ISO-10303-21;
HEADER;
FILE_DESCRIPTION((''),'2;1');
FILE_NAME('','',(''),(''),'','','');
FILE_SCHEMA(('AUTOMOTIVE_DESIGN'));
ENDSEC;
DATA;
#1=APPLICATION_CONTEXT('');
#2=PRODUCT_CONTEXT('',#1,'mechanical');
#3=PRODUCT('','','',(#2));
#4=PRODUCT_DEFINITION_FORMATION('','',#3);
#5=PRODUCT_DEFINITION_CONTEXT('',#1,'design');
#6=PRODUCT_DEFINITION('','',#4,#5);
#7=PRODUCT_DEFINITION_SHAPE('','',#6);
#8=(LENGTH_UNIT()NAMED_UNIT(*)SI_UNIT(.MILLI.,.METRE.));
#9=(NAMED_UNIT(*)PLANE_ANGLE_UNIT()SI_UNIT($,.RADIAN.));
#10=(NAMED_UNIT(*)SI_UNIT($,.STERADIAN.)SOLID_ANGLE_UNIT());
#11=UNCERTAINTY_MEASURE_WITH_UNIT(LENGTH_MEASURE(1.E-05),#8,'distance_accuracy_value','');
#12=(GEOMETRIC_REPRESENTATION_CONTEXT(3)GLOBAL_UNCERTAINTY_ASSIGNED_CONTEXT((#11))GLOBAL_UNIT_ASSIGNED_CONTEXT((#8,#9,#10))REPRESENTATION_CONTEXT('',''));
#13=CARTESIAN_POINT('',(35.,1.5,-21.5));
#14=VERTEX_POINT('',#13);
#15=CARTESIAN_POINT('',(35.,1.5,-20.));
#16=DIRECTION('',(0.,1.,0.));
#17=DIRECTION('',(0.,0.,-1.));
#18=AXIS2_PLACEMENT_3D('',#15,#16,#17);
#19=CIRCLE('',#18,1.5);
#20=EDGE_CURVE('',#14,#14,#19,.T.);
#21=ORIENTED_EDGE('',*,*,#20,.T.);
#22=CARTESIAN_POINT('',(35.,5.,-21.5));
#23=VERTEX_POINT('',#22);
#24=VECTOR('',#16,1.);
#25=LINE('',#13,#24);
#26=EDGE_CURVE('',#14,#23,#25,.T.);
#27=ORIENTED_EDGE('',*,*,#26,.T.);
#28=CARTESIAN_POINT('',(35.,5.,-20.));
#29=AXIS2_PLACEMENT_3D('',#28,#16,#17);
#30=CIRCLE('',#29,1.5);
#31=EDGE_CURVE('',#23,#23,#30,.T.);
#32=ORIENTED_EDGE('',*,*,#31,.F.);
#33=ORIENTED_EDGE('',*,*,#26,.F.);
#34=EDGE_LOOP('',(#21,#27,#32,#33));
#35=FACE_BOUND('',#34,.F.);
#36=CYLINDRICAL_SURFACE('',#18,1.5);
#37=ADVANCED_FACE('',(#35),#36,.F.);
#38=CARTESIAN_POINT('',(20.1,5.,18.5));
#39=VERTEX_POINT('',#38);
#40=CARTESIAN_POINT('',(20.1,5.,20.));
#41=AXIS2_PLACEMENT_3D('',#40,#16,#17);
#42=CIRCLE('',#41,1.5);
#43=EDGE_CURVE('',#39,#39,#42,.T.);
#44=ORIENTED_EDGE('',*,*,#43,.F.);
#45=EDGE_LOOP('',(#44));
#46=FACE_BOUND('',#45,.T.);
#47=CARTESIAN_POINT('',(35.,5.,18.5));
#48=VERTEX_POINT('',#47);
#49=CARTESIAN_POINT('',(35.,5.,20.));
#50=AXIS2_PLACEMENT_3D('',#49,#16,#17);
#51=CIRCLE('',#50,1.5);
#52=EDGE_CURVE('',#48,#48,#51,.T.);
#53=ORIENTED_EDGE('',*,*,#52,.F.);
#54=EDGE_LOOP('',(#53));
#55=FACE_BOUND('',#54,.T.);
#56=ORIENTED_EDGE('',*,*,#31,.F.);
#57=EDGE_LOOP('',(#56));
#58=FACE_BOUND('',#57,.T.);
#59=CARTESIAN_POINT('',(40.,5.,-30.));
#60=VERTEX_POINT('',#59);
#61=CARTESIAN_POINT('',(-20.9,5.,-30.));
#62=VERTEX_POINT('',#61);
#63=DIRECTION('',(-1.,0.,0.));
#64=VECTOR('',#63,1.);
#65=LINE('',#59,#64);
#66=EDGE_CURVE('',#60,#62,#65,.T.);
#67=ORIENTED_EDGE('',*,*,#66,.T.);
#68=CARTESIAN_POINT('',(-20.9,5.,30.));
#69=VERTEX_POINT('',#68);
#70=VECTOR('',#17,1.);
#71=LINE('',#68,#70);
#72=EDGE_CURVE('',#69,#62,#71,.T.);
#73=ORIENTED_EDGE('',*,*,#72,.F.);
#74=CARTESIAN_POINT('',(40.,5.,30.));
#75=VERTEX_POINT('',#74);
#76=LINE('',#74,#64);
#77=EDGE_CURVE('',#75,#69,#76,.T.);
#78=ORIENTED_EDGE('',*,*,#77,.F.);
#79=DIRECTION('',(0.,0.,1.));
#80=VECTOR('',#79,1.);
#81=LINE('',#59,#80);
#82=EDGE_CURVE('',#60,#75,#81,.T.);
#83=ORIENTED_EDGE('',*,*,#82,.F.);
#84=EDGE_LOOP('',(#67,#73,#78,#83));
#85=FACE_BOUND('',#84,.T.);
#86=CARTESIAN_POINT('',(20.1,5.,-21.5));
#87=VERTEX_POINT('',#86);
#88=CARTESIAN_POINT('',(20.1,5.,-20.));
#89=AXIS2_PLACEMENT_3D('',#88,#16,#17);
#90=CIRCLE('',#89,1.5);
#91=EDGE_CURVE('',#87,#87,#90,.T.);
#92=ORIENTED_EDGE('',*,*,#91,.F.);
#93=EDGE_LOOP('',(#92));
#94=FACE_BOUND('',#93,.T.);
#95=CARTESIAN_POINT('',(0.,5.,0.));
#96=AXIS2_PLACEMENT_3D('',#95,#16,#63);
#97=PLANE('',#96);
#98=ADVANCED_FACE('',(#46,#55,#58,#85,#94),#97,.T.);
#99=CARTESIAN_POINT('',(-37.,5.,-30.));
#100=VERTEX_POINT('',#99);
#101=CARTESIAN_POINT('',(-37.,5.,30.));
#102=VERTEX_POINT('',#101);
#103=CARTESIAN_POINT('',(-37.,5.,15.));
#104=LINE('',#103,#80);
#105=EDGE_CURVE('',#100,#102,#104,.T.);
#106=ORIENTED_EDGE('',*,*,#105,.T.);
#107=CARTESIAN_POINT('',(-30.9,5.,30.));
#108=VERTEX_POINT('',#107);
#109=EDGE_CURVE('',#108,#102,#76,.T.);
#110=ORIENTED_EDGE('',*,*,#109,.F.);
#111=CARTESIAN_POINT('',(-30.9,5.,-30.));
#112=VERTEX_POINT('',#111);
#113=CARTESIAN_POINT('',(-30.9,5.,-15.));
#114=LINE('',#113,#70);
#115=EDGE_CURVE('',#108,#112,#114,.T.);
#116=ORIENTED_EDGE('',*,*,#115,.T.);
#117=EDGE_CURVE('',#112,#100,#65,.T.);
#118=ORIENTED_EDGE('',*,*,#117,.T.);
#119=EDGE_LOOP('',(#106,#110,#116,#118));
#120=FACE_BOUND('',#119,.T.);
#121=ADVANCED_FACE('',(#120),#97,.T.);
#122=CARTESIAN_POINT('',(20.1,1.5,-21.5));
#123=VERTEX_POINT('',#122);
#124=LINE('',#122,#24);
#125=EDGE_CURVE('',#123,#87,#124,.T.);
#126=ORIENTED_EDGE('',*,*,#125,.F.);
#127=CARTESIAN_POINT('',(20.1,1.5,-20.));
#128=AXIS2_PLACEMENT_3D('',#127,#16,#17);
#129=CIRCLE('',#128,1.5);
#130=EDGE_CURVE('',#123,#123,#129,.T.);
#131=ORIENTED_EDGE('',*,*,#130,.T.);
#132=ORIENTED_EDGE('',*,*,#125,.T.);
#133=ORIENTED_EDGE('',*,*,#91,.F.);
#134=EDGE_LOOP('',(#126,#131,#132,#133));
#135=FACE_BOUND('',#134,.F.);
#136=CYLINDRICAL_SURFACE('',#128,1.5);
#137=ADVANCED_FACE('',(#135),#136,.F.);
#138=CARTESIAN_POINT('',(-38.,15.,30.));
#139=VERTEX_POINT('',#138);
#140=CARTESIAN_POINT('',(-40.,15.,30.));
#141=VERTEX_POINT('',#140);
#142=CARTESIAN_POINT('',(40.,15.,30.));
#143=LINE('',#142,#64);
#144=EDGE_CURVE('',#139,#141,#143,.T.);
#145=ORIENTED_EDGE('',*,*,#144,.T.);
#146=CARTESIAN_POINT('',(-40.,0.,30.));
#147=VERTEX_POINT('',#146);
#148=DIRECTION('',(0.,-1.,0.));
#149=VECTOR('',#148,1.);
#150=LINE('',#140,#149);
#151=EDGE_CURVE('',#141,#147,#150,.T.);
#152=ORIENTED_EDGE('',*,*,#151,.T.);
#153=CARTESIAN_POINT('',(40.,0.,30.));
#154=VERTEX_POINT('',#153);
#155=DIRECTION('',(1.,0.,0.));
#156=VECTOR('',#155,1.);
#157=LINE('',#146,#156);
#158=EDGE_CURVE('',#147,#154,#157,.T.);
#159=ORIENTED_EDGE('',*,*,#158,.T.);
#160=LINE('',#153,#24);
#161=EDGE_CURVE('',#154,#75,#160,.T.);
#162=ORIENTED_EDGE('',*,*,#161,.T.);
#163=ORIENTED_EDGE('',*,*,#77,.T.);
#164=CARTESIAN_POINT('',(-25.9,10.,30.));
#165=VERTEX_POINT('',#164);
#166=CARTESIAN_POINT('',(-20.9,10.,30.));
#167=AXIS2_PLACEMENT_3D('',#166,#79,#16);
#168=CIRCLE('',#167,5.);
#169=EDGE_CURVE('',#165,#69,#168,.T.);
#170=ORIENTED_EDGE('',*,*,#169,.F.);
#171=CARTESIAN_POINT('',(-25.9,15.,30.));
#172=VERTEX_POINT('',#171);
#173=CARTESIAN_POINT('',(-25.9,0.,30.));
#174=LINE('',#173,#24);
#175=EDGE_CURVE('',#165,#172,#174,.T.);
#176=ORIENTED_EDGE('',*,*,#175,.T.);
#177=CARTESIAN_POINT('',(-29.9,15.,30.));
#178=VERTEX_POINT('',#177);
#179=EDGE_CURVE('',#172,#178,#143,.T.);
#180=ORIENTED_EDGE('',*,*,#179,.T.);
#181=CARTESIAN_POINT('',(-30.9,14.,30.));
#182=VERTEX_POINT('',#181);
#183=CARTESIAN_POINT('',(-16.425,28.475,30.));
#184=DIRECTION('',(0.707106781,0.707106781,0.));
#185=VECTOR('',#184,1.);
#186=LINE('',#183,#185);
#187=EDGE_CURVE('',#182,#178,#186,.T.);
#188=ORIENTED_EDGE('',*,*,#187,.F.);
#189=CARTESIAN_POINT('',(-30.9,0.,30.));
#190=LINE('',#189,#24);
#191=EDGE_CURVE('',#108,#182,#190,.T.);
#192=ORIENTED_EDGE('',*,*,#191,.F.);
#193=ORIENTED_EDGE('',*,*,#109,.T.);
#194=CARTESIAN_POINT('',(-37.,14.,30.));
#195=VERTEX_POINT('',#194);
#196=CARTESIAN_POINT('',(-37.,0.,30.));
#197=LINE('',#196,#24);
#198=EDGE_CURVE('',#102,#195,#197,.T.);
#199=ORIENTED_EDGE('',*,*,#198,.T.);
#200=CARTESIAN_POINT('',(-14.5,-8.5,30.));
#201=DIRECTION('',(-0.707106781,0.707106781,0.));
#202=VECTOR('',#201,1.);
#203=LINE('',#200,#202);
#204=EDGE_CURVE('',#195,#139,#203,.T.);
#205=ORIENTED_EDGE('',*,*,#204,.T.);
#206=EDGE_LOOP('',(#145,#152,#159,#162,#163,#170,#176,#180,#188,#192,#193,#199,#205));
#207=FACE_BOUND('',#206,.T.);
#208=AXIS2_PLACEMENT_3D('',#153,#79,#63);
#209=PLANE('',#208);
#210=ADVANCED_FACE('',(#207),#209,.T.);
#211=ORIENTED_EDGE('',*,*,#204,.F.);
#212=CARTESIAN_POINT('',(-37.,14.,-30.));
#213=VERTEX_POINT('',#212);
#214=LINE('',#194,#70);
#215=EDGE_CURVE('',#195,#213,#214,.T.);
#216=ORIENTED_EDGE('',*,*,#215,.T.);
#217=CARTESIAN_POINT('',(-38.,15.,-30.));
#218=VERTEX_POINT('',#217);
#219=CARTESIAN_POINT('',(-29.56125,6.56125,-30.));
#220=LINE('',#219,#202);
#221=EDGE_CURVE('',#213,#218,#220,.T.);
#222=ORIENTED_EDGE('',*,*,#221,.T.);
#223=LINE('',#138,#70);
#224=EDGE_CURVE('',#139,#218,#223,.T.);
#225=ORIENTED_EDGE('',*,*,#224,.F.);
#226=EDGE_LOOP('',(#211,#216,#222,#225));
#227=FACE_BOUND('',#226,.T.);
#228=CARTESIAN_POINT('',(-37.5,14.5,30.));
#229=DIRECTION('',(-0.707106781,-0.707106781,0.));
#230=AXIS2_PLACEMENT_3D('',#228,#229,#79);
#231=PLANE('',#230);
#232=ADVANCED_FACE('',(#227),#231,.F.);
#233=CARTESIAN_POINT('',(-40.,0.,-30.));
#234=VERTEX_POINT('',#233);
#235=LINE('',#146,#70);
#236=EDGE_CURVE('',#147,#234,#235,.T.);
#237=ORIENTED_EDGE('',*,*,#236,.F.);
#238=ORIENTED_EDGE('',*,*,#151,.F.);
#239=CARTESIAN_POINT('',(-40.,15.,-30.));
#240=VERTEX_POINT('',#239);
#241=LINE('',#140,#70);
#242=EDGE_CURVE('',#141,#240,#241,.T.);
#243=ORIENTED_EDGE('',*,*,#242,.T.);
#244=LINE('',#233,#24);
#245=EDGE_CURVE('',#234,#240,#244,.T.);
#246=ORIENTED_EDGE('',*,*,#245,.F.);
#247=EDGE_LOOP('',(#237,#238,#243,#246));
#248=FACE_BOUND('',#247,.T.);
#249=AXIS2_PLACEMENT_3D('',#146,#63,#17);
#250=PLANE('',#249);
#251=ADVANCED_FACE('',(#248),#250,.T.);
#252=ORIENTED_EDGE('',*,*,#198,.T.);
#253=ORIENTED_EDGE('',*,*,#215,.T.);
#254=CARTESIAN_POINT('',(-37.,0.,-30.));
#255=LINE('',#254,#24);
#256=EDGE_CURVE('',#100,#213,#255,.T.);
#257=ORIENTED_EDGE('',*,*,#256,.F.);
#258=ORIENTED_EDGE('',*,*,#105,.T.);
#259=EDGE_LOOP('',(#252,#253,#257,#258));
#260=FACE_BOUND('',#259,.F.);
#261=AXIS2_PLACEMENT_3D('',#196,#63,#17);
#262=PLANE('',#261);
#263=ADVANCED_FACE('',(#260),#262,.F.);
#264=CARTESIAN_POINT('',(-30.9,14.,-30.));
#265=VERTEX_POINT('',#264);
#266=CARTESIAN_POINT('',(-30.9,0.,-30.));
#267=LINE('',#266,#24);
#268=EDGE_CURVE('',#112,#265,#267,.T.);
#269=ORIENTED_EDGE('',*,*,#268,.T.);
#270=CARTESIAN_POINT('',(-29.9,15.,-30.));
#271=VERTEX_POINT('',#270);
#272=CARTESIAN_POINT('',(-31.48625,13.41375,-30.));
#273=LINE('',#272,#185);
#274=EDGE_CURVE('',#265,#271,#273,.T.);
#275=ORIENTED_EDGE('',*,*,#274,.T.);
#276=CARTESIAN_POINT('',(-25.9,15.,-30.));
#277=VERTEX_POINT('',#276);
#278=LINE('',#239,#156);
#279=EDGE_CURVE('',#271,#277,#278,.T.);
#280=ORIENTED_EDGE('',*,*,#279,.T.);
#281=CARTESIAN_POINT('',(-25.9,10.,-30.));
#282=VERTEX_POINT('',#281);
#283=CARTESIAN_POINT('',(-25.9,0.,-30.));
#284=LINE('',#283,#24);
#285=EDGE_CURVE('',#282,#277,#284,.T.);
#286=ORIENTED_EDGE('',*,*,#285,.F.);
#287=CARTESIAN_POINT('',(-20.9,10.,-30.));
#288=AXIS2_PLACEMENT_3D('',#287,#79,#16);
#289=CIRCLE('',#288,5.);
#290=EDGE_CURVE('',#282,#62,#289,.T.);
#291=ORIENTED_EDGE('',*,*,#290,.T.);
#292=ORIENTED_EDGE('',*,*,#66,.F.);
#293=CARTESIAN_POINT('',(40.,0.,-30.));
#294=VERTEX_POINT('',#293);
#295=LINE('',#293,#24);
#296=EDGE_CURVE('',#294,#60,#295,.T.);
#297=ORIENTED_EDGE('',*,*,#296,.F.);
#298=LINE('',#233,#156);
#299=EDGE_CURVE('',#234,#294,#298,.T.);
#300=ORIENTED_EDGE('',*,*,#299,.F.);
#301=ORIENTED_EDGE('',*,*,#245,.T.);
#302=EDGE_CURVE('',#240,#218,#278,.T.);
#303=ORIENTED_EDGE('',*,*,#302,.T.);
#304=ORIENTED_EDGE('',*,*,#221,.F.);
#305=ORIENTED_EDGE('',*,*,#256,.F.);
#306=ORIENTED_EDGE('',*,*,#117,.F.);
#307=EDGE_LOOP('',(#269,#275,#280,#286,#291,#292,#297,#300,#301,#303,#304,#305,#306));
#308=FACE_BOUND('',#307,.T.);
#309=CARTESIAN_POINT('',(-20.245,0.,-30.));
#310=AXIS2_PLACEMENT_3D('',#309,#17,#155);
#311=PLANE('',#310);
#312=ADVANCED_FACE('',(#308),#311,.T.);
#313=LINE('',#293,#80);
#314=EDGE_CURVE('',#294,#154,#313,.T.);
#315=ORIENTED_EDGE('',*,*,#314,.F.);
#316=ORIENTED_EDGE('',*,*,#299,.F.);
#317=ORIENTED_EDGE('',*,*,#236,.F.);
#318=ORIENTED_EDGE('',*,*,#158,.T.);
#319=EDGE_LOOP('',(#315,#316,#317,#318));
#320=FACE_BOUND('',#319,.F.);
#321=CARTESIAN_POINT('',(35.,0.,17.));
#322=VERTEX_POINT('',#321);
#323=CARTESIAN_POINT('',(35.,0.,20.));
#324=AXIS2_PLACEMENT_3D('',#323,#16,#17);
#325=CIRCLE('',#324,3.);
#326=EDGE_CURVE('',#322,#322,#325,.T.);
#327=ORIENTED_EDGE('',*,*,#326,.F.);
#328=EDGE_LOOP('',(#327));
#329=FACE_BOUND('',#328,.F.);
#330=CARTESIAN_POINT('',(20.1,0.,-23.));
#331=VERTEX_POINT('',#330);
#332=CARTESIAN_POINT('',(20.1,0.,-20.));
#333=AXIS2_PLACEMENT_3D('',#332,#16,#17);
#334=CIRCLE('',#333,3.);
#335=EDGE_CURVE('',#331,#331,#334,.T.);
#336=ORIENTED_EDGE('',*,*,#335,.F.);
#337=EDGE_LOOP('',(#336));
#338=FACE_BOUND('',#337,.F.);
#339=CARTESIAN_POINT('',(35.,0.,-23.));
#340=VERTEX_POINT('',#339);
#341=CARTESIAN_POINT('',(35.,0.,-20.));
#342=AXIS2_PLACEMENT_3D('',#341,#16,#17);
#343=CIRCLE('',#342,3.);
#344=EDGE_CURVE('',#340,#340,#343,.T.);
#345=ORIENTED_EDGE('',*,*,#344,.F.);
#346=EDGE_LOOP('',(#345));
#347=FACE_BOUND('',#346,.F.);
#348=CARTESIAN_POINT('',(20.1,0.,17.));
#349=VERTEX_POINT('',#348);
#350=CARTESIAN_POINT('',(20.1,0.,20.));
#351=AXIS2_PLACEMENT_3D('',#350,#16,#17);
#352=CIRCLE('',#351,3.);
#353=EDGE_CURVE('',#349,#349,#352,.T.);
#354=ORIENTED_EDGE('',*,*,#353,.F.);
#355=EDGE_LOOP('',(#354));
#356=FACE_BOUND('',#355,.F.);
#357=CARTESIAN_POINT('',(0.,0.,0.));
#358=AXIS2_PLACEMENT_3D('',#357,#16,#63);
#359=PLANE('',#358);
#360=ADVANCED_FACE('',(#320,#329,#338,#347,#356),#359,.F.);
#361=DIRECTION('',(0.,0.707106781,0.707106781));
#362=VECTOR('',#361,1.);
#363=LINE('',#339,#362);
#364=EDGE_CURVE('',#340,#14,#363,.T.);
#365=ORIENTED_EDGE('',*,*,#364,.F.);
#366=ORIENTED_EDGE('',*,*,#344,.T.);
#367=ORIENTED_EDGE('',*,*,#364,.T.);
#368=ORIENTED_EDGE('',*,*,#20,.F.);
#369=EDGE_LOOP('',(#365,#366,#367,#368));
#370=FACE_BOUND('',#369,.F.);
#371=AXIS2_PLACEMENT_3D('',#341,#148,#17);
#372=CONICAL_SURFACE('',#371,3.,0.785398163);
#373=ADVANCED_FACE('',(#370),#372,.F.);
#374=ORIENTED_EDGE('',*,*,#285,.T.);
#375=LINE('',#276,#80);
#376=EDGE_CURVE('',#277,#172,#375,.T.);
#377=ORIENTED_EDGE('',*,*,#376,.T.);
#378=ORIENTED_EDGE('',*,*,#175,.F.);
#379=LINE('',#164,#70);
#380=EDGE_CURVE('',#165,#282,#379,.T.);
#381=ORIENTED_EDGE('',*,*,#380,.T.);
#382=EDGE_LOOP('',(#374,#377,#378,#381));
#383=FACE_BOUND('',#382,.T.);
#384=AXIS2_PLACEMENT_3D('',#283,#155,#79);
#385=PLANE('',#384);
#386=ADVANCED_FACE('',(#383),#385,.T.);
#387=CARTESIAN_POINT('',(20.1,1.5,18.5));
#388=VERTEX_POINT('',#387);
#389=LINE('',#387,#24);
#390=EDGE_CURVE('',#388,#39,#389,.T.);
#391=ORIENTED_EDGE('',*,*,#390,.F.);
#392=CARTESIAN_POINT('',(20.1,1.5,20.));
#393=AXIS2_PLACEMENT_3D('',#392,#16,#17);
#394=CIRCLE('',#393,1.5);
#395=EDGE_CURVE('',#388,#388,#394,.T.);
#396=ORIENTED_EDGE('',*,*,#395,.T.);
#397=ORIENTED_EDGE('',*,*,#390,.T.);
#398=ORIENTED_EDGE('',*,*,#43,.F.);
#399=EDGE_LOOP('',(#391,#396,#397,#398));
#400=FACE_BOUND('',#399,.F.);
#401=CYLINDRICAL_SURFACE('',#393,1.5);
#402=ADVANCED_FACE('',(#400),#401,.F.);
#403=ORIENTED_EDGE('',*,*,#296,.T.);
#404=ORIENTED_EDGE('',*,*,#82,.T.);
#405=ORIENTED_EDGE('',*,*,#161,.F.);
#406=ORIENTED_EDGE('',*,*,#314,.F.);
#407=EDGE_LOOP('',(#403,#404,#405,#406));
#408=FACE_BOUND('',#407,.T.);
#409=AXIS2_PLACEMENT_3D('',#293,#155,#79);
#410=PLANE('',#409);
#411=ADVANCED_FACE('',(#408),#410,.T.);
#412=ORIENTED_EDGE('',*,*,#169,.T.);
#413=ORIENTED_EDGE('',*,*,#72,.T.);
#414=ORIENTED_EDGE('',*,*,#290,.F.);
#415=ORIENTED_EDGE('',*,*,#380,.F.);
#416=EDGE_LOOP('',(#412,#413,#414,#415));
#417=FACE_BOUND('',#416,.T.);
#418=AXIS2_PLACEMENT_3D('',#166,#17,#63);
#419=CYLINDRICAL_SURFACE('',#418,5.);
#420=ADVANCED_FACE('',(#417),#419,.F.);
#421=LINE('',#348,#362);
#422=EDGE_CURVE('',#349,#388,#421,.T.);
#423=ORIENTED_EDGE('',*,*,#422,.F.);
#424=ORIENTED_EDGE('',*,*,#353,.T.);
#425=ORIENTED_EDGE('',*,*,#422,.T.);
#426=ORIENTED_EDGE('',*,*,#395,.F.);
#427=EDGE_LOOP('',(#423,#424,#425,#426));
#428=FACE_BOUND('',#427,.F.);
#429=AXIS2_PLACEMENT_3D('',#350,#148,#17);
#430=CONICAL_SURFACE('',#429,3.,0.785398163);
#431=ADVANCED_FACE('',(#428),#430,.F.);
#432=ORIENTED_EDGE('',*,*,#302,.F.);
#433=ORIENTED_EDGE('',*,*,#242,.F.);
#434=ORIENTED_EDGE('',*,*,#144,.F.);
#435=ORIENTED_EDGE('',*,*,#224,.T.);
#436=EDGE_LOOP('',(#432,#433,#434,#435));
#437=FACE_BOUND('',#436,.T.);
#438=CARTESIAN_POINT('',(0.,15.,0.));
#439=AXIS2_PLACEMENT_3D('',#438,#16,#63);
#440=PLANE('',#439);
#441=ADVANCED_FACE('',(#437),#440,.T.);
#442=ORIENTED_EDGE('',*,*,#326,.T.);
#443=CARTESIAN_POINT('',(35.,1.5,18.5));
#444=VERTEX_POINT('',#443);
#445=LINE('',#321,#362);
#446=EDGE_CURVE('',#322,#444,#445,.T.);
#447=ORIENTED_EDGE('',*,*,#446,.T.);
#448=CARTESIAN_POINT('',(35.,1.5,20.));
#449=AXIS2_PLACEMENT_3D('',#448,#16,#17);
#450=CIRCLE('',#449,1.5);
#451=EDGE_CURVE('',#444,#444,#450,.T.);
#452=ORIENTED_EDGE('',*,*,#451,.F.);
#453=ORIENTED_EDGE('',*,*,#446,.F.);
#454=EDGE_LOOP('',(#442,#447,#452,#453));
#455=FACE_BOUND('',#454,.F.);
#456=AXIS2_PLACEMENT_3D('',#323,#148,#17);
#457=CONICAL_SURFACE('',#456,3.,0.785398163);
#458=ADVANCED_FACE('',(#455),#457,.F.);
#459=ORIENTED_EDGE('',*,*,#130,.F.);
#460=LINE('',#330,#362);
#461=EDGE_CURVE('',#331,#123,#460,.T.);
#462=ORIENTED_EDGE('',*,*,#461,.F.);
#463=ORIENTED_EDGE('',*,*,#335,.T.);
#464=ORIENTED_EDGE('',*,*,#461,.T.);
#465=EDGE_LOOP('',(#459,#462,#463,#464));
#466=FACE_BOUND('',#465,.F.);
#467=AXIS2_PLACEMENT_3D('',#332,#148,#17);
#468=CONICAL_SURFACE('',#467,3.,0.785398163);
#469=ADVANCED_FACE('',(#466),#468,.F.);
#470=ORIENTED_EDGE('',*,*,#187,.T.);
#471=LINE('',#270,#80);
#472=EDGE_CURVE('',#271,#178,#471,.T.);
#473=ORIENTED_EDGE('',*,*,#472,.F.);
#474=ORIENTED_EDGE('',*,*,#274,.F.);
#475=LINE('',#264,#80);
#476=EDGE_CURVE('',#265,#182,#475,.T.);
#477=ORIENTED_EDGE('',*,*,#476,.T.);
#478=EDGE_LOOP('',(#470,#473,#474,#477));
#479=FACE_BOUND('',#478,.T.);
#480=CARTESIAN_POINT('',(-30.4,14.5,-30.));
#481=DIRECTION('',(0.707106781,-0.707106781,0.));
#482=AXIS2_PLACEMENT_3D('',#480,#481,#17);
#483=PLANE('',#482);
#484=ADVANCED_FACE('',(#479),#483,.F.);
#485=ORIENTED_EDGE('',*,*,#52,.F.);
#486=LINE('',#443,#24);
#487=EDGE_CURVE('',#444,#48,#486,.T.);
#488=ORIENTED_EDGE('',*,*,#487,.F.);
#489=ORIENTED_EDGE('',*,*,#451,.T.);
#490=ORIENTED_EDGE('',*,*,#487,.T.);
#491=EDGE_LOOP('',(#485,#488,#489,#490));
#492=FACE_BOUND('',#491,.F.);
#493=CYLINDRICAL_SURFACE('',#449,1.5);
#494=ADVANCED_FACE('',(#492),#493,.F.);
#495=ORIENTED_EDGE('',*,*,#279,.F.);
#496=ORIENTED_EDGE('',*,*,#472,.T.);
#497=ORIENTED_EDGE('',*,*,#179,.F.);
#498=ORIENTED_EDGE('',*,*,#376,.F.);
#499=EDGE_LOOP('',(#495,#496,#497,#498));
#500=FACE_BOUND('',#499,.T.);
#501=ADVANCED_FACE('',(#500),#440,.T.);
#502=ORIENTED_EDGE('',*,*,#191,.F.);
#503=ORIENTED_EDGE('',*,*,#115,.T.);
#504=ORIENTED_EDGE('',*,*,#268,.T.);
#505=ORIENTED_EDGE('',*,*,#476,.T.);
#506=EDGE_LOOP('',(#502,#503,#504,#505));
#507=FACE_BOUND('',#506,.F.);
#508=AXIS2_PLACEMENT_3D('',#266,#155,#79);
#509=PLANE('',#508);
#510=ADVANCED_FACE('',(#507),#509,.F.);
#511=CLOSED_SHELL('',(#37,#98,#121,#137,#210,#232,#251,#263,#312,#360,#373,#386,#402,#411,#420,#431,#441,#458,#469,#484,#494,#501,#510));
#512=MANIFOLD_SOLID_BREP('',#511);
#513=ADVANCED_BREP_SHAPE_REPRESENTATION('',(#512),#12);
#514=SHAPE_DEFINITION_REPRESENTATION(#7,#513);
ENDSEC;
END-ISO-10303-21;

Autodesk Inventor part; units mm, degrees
ref_plane "YZ Plane" through (0, 0, 0) normal (1, 0, 0) x (0, 1, 0)
ref_plane "XZ Plane" through (0, 0, 0) normal (0, 1, 0) x (-1, 0, 0)
ref_plane "XY Plane" through (0, 0, 0) normal (0, 0, 1) x (1, 0, 0)
sketch "Sketch1" plane through (0, 0, 0) normal (0, 1, 0) x (-1, 0, 0)
  line L0 (-40, 30) -> (40, 30)
  line L1 (40, 30) -> (40, -30)
  line L2 (40, -30) -> (-40, -30)
  line L3 (-40, -30) -> (-40, 30)
  line L4 (-40, 30) -> (40, -30) construction
  line L5 (40, 30) -> (-40, -30) construction
  line L6 (25.245, -30) -> (20.245, -30)
  line L7 (20.245, 30) -> (25.245, 30)
  line L8 (37, 30) -> (37, -30)
  line L9 (30.9, -30) -> (30.9, 30)
  line L10 (25.9, -30) -> (25.9, 30)
  line L11 (-10.1, -30) -> (-10.1, 30) construction
  point P0 (0, 0)
  point P1 (-35, 20)
  point P2 (-35, -20)
  point P3 (-20.1, 20)
  point P4 (-20.1, -20)
  dimension "d0" = 80
  dimension "d1" = 60
  dimension "d3" = 3
  dimension "d4" = 6.1
  dimension "d5" = 5
  dimension "d6" = 10
  dimension "d7" = 10
  dimension "d8" = 5
  dimension "d9" = 5
  dimension "d10" = 36
  dimension "d11" = 10
  dimension "d12" = 10
extrude "Extrusion1" add sketch "Sketch1" along normal blind 5
extrude "Extrusion2" add sketch "Sketch1" along normal blind 15 contours L0 L9 L2 L10 | L0 L1 L2 L8
chamfer "Chamfer1" distance 1 angle 45 2 edges at (-37, 15, 0) (-30.9, 15, 0)
fillet "Fillet1" radius 5 1 edges at (-25.9, 5, 0)
hole "Hole1" at (35, 0, 20) at (35, 0, -20) at (20.1, 0, 20) at (20.1, 0, -20) direction (0, 1, 0) diameter 3 end through all countersink diameter 6 countersink angle 90
equation "\"d7\" = d6"
equation "\"d9\" = d8"
equation "\"d12\" = d11"
properties part number "stabilisateur"
